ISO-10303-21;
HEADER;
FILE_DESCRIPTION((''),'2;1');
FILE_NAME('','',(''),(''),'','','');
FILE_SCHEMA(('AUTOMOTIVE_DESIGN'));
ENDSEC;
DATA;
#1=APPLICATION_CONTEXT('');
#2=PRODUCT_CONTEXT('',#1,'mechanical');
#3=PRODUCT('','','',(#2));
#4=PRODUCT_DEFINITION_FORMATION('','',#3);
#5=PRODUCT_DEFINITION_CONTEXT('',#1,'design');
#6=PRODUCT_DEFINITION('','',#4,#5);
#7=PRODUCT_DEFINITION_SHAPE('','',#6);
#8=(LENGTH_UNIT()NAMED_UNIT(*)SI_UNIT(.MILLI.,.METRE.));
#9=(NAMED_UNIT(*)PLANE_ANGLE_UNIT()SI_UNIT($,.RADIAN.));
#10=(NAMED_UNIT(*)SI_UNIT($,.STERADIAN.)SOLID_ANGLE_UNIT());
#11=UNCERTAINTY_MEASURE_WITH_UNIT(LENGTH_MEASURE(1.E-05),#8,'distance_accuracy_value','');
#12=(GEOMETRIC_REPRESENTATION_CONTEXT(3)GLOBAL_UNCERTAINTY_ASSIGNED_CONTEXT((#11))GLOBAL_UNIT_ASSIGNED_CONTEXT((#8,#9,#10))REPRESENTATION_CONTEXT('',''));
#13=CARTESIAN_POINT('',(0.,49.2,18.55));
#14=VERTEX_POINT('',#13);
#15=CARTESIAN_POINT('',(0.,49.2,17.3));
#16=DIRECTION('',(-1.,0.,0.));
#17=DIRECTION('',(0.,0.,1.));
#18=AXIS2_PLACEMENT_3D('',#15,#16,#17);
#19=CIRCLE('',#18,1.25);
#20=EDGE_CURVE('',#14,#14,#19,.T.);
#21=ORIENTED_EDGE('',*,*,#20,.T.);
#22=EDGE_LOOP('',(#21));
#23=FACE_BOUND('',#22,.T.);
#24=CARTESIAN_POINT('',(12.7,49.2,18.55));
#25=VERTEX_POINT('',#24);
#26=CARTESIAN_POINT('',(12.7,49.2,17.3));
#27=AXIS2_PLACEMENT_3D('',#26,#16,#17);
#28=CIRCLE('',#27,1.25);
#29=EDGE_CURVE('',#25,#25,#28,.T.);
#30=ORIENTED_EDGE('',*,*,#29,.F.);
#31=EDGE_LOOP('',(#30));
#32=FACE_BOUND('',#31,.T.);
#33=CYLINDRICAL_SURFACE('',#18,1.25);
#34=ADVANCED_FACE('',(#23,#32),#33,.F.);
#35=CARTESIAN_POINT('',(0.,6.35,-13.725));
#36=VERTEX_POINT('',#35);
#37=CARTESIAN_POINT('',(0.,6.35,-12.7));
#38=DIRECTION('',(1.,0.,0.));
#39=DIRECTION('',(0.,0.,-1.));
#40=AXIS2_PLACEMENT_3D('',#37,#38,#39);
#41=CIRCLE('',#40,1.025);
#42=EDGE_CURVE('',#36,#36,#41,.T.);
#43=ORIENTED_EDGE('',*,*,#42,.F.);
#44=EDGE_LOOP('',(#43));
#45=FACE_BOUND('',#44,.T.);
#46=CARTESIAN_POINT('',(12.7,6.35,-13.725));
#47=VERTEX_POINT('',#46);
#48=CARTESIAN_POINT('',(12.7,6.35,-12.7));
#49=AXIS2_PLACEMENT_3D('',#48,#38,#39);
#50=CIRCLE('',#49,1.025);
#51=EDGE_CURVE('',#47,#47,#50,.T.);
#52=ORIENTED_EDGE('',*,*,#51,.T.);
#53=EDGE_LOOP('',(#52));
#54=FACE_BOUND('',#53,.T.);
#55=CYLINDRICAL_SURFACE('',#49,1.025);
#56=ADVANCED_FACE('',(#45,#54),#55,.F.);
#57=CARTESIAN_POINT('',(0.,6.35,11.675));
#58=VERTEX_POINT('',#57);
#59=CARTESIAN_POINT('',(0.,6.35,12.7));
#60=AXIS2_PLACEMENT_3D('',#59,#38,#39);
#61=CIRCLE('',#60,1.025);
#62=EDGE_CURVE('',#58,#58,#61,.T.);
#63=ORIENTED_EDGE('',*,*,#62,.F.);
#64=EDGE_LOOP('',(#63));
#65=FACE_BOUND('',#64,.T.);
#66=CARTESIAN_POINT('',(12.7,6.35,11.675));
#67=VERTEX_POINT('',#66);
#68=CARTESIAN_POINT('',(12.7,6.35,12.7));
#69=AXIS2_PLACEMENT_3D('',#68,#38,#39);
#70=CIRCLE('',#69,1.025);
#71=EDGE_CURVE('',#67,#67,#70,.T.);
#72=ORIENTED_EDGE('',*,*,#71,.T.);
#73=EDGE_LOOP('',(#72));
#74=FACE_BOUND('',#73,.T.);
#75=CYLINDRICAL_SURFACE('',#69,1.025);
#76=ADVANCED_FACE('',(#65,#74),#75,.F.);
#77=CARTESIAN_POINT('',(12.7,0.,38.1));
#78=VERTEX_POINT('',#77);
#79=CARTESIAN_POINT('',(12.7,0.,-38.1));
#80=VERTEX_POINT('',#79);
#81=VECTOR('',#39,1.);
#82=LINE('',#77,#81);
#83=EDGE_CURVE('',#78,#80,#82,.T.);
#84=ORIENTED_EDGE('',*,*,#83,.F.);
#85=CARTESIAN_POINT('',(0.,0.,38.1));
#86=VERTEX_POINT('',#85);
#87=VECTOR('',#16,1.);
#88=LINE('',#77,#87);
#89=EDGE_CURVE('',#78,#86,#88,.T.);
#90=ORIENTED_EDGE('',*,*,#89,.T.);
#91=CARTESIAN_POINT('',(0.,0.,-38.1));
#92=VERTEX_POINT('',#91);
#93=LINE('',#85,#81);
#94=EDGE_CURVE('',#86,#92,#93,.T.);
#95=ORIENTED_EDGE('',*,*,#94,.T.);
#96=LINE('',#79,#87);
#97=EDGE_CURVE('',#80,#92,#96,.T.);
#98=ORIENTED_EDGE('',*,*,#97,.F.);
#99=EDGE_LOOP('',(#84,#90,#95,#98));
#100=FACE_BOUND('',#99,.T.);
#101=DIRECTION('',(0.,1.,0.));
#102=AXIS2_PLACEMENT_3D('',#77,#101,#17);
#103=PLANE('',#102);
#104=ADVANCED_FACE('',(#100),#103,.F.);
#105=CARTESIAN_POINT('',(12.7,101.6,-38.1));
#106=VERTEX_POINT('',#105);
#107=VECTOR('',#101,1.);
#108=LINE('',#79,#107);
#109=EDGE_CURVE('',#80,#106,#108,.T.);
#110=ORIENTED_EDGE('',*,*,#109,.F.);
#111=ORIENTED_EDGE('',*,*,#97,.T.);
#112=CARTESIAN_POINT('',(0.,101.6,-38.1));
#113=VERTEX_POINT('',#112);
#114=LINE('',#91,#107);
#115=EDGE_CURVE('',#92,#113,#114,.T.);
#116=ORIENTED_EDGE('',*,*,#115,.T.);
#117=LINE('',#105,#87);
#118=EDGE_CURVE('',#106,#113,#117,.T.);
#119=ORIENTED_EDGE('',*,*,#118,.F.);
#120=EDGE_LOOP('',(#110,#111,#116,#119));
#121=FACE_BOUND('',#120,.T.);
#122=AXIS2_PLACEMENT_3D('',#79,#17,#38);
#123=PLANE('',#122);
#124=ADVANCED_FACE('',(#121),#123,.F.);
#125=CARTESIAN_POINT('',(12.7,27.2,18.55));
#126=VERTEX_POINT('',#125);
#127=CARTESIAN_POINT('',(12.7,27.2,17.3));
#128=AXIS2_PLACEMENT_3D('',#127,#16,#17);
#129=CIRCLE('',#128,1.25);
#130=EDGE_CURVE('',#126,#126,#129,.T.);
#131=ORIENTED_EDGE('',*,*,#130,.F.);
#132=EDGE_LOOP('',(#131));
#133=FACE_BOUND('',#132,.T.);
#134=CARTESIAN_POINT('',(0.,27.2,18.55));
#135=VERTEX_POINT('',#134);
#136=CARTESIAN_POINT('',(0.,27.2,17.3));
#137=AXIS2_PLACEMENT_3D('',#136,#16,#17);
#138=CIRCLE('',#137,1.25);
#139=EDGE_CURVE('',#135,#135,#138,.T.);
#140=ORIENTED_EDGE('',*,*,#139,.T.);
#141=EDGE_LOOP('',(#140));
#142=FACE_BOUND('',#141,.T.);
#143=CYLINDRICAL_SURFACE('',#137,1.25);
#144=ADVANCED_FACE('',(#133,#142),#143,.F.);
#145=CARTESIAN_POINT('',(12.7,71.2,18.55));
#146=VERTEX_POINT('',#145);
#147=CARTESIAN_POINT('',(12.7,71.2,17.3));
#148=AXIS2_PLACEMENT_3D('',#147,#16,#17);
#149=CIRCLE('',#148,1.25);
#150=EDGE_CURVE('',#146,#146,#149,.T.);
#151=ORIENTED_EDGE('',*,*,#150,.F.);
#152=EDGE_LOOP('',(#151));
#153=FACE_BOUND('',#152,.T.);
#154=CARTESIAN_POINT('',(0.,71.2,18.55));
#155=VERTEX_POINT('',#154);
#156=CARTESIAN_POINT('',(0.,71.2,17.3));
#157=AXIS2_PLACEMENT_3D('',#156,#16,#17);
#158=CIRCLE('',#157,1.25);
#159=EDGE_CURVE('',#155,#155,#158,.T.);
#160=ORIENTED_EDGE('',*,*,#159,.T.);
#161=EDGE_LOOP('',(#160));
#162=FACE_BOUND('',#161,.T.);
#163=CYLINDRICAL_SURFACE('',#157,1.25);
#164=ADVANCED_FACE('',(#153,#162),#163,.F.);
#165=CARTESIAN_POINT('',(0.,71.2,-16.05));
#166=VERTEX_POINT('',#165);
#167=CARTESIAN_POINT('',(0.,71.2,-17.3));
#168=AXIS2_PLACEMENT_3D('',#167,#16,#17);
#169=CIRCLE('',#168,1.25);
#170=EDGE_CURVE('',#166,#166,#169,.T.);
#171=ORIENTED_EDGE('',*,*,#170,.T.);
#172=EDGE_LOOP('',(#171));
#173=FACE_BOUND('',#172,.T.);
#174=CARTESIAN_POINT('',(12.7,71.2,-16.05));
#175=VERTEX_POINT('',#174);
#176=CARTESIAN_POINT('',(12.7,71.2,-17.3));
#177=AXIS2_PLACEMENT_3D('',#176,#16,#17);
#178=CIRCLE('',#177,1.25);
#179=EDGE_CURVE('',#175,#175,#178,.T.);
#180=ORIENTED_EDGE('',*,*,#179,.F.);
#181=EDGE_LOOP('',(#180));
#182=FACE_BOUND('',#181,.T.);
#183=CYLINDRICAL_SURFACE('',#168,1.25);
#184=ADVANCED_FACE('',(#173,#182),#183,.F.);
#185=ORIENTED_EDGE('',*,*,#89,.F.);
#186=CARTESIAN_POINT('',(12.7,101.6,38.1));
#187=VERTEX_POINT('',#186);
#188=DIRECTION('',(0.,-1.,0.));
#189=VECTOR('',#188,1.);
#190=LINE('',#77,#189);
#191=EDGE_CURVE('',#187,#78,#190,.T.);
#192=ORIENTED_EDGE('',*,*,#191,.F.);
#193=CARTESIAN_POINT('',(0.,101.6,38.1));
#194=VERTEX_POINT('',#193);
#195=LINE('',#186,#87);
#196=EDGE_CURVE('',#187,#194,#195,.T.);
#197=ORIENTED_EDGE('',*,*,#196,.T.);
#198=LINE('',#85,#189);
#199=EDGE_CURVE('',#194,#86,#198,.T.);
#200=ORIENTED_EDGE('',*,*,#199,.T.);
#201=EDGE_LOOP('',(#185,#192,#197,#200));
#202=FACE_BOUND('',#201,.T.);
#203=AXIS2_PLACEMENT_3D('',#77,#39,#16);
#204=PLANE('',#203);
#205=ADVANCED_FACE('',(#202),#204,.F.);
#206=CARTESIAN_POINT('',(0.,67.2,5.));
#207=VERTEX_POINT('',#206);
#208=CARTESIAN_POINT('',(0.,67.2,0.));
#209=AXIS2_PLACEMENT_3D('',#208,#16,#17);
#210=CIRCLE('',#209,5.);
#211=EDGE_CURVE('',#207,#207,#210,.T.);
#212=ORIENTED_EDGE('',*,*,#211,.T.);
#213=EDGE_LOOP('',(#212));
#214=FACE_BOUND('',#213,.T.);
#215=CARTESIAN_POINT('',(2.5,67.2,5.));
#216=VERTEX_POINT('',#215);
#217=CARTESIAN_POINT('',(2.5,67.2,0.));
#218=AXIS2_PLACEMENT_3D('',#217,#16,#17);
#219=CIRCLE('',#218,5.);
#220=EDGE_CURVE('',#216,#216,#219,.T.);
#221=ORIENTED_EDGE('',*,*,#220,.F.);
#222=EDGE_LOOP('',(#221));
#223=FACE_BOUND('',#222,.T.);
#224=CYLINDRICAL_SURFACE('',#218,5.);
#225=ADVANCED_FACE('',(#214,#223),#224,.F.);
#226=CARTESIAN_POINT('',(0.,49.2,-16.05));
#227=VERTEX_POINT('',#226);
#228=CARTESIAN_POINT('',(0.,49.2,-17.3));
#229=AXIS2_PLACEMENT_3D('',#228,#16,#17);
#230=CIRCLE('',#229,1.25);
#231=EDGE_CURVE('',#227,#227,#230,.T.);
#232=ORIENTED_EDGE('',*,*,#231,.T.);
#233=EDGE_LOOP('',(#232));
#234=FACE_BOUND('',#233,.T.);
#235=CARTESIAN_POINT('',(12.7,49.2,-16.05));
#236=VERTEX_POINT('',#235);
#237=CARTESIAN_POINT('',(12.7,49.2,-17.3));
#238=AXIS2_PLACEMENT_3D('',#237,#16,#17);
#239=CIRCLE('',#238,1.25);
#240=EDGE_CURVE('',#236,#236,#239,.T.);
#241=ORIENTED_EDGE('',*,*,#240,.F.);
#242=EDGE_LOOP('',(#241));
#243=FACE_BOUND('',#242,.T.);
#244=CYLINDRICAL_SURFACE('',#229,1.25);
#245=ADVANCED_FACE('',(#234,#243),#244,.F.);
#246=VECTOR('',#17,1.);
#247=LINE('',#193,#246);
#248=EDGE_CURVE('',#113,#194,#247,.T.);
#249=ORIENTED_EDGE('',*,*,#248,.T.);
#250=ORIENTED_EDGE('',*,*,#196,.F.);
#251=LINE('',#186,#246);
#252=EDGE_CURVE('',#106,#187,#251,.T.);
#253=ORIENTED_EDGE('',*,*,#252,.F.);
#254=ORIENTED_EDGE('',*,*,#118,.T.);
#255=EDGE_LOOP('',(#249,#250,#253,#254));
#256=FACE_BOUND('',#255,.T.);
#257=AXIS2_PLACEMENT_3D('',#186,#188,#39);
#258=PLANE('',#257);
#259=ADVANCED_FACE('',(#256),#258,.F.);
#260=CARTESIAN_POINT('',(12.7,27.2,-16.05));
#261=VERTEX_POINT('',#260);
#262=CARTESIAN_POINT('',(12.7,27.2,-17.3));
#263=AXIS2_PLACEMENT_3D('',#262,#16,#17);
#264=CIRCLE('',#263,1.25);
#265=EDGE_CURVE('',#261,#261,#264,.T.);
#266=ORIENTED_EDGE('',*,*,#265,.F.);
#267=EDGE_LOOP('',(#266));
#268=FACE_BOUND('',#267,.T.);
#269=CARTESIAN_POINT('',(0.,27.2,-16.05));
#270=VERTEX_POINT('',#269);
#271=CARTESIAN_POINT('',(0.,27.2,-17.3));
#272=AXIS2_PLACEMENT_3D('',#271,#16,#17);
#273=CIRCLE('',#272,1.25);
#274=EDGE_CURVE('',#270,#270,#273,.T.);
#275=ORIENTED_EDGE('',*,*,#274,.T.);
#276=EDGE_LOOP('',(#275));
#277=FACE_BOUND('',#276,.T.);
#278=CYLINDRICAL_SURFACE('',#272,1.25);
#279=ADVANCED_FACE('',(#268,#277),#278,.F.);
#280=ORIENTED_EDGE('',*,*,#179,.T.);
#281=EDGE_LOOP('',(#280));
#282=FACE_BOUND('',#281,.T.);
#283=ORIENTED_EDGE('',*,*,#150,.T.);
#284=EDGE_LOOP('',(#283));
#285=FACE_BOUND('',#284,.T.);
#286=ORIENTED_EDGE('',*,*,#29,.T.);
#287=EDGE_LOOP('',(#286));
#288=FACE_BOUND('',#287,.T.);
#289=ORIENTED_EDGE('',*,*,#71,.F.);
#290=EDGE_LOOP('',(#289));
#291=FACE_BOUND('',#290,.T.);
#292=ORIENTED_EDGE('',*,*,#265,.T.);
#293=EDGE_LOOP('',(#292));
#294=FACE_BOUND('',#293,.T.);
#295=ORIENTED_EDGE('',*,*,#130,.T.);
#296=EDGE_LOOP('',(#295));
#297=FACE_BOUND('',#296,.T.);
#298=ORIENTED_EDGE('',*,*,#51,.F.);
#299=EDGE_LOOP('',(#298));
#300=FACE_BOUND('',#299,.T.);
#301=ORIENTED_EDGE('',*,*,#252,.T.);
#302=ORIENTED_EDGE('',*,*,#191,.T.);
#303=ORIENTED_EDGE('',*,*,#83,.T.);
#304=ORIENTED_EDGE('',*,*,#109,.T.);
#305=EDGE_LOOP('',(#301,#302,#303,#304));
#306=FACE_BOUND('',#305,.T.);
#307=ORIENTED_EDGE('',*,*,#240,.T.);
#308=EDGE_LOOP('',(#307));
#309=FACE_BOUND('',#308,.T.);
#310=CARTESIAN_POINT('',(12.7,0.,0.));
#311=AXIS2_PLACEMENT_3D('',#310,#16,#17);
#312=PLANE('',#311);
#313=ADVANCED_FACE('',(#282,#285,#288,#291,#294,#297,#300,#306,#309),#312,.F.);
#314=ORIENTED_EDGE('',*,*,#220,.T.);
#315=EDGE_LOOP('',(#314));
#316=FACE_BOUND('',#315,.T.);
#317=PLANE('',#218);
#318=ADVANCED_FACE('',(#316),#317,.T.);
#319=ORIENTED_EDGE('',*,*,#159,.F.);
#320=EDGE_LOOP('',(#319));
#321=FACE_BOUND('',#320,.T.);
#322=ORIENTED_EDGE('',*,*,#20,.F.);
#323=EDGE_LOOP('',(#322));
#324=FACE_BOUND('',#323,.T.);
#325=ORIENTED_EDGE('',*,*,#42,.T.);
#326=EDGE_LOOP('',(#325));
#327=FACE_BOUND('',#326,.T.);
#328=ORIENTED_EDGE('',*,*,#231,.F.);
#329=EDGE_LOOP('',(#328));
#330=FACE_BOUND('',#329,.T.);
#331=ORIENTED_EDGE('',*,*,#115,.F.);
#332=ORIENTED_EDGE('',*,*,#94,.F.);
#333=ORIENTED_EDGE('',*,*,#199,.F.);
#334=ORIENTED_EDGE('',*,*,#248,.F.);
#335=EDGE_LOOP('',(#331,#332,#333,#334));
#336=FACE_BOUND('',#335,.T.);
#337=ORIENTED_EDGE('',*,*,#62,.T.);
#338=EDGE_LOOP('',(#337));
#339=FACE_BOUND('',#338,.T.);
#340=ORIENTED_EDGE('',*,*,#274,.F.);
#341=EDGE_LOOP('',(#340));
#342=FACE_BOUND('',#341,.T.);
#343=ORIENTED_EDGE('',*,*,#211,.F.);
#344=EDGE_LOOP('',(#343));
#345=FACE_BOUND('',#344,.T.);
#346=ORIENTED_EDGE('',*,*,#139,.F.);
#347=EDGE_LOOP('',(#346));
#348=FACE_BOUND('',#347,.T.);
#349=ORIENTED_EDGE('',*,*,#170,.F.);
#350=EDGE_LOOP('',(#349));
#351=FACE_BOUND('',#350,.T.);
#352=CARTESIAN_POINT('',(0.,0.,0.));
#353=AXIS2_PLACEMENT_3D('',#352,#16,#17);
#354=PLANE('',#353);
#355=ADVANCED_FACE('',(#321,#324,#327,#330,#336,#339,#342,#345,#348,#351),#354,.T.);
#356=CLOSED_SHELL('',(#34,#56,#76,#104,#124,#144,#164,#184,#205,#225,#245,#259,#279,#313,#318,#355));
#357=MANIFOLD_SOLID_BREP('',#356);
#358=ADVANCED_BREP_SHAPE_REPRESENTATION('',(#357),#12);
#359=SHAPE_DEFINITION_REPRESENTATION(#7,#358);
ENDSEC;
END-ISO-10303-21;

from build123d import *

# Parameters (mm, degrees)
SKETCH2_W                          = 76.2
SKETCH2_H                          = 101.6
BOSS_EXTRUDE2_DEPTH                = 12.7
F_2_5MM_DOWEL_HOLE1_D              = 2.5
SKETCH5_R                          = 5
CUT_EXTRUDE1_DEPTH                 = 2.5
TAP_DRILL_FOR_M2_5X0_45_TAP1_D     = 2.05
TAP_DRILL_FOR_M2_5X0_45_TAP1_DEPTH = 12.7
TAP_DRILL_FOR_M2_5X0_45_TAP1_TIP   = 0.615882135


with BuildPart() as part:
    # Sketch2 → Boss-Extrude2 (new body)
    with BuildSketch(Plane(origin=(0, 0, 0), x_dir=(0, 0, -1), z_dir=(1, 0, 0))):
        with Locations((0, 50.8)):
            Rectangle(SKETCH2_W, SKETCH2_H)
    extrude(amount=BOSS_EXTRUDE2_DEPTH)

    # Ø2.5mm Dowel Hole1 (through all)
    with Locations(Plane.ZY):
        with Locations((-17.3, 71.2), (-17.3, 49.2), (-17.3, 27.2)):
            f_2_5mm_dowel_hole1 = Hole(F_2_5MM_DOWEL_HOLE1_D / 2)

    # Mirror1: Ø2.5mm Dowel Hole1 across plane
    add(f_2_5mm_dowel_hole1.mirror(Plane.XY), mode=Mode.SUBTRACT)

    # Sketch5 → Cut-Extrude1 (cut)
    with BuildSketch(Plane.ZY):
        with Locations((0, 67.2)):
            Circle(SKETCH5_R)
    extrude(amount=-CUT_EXTRUDE1_DEPTH, mode=Mode.SUBTRACT)

    # Tap Drill for M2.5x0.45 Tap1
    with Locations(Plane(origin=(12.7, 0, 0), x_dir=(0, 0, -1), z_dir=(1, 0, 0))):
        with Locations((-12.7, 6.35), (12.7, 6.35)):
            Hole(TAP_DRILL_FOR_M2_5X0_45_TAP1_D / 2, depth=TAP_DRILL_FOR_M2_5X0_45_TAP1_DEPTH)
            with Locations((0, 0, -(TAP_DRILL_FOR_M2_5X0_45_TAP1_DEPTH + TAP_DRILL_FOR_M2_5X0_45_TAP1_TIP / 2))):  # 118° drill point
                Cone(0, TAP_DRILL_FOR_M2_5X0_45_TAP1_D / 2, TAP_DRILL_FOR_M2_5X0_45_TAP1_TIP, mode=Mode.SUBTRACT)


solid = part.part
